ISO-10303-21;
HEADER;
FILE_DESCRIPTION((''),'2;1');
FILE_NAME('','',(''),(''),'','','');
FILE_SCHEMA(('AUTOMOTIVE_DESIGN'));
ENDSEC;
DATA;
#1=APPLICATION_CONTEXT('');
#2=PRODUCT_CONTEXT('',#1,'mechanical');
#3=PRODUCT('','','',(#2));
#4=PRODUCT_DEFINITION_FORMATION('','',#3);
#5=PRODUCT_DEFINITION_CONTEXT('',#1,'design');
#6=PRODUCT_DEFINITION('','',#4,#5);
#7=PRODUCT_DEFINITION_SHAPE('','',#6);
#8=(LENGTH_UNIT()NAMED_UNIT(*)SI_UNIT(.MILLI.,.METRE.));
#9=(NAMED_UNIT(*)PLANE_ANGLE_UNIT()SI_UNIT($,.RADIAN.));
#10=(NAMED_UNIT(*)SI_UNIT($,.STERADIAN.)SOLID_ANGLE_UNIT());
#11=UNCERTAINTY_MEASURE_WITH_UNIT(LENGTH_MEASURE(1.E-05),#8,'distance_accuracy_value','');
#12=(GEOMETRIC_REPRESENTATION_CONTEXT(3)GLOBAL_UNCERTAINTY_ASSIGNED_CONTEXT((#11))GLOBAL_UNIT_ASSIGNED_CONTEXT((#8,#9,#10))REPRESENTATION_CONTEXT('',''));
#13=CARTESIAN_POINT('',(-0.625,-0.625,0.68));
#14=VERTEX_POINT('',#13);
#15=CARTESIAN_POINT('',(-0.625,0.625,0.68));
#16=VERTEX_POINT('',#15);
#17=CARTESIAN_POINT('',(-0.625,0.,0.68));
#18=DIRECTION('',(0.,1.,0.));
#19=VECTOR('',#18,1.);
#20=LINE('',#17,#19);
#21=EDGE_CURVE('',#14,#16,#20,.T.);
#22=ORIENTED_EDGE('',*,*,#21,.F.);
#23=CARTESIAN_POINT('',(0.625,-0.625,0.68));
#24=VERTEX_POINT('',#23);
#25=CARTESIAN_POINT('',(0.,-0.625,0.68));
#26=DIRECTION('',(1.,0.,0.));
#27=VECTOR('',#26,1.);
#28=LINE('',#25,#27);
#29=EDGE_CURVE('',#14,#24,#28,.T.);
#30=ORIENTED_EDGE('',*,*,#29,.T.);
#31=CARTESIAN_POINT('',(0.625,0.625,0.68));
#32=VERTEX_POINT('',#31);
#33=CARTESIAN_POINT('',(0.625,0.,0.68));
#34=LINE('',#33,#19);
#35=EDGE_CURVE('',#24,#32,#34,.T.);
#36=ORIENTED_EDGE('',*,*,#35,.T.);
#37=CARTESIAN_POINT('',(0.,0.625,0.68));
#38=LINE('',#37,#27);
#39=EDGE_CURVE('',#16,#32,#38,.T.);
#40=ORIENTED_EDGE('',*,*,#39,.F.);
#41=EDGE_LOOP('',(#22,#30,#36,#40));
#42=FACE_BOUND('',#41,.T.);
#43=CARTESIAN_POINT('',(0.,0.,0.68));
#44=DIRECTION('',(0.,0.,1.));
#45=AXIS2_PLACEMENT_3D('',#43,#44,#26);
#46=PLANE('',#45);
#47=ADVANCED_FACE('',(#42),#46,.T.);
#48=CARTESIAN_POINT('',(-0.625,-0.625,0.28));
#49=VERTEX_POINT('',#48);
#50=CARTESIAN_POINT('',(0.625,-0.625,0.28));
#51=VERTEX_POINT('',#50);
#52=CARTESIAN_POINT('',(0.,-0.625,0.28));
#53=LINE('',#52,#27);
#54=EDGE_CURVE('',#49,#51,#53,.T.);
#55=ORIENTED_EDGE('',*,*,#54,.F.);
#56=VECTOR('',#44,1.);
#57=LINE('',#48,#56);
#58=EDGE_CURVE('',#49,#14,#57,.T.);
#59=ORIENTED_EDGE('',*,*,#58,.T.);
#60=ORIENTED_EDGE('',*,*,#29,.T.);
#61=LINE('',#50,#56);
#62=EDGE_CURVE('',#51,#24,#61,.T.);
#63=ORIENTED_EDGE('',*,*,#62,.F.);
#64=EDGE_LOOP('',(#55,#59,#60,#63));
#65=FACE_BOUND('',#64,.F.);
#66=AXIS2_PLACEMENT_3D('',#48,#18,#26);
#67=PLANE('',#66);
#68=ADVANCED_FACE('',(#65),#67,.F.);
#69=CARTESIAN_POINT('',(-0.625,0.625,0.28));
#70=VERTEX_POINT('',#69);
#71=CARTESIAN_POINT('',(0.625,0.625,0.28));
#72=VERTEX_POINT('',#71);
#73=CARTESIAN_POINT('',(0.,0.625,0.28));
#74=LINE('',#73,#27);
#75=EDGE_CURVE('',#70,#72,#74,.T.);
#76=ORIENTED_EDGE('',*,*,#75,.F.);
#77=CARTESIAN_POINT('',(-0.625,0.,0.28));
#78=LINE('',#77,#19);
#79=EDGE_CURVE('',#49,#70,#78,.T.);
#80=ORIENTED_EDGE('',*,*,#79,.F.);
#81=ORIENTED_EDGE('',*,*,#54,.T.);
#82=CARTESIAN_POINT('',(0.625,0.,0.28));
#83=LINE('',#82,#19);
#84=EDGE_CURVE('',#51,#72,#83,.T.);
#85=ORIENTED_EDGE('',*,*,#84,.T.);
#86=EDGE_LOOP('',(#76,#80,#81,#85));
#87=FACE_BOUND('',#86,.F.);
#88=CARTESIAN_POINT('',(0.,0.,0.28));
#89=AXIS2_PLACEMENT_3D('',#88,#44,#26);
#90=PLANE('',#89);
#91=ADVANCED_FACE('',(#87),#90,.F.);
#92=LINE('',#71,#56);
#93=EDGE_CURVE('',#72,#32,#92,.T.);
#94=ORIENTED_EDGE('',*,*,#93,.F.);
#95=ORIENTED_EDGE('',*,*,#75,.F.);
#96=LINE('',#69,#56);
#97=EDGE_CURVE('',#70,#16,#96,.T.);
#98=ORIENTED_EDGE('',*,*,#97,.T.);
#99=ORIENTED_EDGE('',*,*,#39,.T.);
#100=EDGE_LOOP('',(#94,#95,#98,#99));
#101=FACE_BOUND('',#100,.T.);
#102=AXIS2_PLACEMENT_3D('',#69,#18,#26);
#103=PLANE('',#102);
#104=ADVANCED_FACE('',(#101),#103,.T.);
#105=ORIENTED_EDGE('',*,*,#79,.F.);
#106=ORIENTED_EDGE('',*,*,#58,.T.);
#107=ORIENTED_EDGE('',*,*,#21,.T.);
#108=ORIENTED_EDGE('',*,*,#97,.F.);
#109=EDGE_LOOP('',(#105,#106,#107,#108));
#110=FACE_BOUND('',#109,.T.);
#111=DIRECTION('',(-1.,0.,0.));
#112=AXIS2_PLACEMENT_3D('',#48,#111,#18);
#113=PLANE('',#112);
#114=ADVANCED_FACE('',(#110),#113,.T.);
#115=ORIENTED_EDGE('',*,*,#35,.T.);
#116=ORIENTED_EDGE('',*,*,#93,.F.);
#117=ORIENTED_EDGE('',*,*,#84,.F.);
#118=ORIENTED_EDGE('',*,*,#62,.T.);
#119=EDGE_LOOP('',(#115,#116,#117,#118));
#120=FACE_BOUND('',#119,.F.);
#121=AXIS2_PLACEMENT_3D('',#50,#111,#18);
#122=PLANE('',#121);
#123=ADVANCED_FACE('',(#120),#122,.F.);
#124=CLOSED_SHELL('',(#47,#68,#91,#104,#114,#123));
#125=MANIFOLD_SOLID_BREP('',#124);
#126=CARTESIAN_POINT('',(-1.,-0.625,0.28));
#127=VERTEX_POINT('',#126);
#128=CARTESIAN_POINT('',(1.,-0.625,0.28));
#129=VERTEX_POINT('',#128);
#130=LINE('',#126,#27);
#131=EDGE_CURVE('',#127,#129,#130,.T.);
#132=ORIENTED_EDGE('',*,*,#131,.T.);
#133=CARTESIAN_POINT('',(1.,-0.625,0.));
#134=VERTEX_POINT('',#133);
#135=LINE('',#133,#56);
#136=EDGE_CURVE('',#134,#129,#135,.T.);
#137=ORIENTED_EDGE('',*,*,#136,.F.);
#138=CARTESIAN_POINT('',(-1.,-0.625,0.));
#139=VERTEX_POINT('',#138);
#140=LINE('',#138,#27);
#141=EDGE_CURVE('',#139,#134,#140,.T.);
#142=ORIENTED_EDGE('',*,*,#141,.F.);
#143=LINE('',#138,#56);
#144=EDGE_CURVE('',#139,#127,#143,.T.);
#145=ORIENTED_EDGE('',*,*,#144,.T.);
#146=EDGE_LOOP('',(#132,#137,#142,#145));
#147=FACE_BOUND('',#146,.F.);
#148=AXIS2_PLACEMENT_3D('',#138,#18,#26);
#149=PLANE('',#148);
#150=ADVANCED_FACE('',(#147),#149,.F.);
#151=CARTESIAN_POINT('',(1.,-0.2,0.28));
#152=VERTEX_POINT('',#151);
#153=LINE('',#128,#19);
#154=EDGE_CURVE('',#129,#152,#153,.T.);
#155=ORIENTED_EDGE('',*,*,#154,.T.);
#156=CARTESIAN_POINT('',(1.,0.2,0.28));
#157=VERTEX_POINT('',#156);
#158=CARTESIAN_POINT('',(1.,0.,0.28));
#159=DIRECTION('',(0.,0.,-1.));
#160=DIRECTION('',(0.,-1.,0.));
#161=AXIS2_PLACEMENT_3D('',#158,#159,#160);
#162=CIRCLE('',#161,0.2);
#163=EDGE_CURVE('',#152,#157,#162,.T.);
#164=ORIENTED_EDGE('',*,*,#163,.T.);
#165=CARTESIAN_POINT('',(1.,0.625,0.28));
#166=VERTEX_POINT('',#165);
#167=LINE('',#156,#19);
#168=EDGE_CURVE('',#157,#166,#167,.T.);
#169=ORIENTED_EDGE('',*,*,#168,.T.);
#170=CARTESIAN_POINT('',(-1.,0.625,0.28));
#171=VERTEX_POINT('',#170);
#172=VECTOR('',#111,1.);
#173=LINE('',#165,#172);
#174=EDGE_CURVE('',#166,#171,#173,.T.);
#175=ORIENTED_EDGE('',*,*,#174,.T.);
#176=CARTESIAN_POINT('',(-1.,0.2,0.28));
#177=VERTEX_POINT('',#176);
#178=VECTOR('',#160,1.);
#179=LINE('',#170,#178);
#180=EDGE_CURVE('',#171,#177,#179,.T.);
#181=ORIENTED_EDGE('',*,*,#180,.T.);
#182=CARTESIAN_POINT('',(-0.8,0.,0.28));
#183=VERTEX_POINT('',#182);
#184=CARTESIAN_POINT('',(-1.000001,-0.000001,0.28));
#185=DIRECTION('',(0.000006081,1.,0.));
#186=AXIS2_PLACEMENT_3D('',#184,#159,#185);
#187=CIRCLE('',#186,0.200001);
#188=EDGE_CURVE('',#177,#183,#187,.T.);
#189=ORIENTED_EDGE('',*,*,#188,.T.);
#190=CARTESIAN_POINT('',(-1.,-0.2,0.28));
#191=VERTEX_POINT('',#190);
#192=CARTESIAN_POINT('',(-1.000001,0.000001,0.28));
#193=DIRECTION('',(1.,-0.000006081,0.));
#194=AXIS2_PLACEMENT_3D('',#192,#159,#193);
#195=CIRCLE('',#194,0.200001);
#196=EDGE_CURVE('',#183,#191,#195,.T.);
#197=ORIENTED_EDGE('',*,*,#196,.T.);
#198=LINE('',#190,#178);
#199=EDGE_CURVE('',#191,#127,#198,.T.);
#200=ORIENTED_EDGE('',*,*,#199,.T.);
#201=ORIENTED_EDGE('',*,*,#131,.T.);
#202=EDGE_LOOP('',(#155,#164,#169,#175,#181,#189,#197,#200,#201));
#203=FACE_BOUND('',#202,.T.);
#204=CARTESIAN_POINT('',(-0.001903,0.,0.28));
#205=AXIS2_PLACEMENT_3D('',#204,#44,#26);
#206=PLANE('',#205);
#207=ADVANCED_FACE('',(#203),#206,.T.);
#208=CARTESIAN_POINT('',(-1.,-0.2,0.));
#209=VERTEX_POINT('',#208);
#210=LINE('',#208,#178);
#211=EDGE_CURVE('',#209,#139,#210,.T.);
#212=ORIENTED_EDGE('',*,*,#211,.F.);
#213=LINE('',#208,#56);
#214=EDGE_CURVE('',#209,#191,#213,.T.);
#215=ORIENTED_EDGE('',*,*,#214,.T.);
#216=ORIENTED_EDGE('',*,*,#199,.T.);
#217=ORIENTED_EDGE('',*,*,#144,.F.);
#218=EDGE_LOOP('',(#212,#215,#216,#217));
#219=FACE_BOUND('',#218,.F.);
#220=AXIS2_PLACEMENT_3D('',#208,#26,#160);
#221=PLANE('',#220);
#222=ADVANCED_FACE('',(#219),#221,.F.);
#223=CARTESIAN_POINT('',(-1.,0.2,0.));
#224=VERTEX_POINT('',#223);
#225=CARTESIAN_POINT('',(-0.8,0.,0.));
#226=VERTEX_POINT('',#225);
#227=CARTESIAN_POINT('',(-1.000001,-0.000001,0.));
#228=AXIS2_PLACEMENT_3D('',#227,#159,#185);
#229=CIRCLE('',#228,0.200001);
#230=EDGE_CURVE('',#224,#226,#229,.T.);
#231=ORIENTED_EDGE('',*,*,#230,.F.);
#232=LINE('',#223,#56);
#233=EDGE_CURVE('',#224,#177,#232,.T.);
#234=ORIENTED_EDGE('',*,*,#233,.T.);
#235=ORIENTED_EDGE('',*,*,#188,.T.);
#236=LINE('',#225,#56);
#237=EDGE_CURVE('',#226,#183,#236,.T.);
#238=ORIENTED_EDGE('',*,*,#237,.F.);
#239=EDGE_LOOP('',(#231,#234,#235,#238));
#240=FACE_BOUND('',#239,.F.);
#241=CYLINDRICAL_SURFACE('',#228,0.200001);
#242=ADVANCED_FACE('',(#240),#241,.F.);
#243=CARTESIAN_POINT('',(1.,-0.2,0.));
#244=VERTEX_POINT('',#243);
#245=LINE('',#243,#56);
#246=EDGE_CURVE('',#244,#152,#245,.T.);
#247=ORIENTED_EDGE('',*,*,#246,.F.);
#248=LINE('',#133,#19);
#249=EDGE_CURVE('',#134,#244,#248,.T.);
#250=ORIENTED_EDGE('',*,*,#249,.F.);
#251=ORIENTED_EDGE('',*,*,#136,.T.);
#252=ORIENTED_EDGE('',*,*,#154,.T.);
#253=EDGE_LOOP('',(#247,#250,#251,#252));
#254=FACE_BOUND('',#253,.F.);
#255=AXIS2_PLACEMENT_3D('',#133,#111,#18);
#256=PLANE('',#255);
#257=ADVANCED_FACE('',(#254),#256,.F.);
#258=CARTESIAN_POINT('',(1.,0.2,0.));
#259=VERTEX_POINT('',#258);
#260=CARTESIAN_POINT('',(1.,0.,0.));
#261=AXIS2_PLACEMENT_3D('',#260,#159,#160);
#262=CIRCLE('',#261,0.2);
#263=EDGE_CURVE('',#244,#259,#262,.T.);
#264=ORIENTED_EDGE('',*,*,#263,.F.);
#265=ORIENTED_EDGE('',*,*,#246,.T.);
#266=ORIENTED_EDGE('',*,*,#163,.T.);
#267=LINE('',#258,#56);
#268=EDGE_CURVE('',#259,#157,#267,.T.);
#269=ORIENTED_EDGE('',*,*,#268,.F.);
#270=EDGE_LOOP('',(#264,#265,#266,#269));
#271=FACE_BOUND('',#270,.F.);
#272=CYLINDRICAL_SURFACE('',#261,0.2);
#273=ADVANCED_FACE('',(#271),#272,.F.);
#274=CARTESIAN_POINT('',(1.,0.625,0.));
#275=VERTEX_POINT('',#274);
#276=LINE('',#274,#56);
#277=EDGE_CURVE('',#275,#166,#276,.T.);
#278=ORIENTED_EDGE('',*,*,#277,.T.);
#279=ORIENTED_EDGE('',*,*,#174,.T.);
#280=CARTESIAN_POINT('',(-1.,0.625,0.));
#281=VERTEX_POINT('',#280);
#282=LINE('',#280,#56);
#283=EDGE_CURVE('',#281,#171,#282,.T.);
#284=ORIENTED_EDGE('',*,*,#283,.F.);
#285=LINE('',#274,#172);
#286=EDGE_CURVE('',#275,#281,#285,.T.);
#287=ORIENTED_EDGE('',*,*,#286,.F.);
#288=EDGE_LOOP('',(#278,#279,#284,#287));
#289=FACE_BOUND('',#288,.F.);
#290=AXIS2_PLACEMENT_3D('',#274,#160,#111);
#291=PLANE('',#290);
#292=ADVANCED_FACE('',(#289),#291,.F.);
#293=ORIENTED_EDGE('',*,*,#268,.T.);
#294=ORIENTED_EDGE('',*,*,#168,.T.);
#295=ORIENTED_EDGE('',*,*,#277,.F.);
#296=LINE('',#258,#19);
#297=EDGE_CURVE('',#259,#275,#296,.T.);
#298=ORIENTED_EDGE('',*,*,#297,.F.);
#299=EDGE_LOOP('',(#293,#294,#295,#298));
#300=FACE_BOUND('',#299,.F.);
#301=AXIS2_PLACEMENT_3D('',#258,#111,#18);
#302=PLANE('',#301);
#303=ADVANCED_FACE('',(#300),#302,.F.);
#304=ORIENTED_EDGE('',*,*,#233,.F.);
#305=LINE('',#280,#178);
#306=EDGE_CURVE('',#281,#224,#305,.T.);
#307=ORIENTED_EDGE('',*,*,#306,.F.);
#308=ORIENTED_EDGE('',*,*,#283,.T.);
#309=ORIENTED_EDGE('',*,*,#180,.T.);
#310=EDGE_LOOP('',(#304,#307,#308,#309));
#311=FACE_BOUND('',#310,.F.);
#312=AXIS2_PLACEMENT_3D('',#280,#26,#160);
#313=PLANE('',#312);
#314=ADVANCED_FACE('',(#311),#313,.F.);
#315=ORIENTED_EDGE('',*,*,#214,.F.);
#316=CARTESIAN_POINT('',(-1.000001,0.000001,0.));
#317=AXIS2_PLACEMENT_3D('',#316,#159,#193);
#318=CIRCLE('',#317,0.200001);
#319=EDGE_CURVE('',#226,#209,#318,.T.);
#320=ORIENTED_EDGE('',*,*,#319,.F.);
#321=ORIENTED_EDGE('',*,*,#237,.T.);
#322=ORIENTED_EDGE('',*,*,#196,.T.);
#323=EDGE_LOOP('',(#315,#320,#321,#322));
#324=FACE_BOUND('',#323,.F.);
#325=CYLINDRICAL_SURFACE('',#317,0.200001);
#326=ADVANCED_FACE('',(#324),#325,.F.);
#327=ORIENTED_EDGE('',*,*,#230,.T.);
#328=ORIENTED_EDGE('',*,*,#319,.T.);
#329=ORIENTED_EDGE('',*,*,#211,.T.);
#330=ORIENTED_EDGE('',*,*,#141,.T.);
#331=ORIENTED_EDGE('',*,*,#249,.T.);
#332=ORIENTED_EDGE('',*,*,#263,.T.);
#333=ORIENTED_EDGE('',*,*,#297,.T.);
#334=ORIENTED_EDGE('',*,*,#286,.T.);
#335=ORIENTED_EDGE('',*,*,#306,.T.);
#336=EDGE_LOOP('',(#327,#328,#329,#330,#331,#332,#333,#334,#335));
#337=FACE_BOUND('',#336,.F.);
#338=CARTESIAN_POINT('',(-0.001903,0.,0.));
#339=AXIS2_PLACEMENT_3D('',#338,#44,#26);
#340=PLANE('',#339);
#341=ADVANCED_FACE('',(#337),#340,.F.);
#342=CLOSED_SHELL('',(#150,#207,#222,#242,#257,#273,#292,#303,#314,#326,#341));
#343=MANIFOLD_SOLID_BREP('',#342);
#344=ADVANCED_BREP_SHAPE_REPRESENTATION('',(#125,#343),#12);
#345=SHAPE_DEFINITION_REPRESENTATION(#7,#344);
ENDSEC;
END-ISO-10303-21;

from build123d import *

# Parameters (mm, degrees)
F1_DEPTH = 0.28
F2_W     = 1.25
F2_H     = 1.25
F3_DEPTH = 0.4


with BuildPart() as f1:
    # F0 (on Top) → F1 (new body)
    with BuildSketch(Plane.XY):
        with BuildLine():
            Line((1, 0.625), (0, 0.625))
            Line((0, 0.625), (-1, 0.625))
            Line((-1, 0.625), (-1, 0.2))
            ThreePointArc((-1, 0.2), (-0.858579, 0.141421), (-0.8, 0))
            ThreePointArc((-0.8, 0), (-0.858579, -0.141421), (-1, -0.2))
            Line((-1, -0.2), (-1, -0.625))
            Line((-1, -0.625), (0, -0.625))
            Line((0, -0.625), (1, -0.625))
            Line((1, -0.625), (1, -0.2))
            ThreePointArc((1, -0.2), (0.8, 0), (1, 0.2))
            Line((1, 0.2), (1, 0.625))
        make_face()
    extrude(amount=F1_DEPTH)


with BuildPart() as f3:
    # F2 (on face) → F3 (new body)
    with BuildSketch(Plane.XY.offset(0.28)):
        Rectangle(F2_W, F2_H)
    extrude(amount=F3_DEPTH)


solid = Compound([f1.part, f3.part])
